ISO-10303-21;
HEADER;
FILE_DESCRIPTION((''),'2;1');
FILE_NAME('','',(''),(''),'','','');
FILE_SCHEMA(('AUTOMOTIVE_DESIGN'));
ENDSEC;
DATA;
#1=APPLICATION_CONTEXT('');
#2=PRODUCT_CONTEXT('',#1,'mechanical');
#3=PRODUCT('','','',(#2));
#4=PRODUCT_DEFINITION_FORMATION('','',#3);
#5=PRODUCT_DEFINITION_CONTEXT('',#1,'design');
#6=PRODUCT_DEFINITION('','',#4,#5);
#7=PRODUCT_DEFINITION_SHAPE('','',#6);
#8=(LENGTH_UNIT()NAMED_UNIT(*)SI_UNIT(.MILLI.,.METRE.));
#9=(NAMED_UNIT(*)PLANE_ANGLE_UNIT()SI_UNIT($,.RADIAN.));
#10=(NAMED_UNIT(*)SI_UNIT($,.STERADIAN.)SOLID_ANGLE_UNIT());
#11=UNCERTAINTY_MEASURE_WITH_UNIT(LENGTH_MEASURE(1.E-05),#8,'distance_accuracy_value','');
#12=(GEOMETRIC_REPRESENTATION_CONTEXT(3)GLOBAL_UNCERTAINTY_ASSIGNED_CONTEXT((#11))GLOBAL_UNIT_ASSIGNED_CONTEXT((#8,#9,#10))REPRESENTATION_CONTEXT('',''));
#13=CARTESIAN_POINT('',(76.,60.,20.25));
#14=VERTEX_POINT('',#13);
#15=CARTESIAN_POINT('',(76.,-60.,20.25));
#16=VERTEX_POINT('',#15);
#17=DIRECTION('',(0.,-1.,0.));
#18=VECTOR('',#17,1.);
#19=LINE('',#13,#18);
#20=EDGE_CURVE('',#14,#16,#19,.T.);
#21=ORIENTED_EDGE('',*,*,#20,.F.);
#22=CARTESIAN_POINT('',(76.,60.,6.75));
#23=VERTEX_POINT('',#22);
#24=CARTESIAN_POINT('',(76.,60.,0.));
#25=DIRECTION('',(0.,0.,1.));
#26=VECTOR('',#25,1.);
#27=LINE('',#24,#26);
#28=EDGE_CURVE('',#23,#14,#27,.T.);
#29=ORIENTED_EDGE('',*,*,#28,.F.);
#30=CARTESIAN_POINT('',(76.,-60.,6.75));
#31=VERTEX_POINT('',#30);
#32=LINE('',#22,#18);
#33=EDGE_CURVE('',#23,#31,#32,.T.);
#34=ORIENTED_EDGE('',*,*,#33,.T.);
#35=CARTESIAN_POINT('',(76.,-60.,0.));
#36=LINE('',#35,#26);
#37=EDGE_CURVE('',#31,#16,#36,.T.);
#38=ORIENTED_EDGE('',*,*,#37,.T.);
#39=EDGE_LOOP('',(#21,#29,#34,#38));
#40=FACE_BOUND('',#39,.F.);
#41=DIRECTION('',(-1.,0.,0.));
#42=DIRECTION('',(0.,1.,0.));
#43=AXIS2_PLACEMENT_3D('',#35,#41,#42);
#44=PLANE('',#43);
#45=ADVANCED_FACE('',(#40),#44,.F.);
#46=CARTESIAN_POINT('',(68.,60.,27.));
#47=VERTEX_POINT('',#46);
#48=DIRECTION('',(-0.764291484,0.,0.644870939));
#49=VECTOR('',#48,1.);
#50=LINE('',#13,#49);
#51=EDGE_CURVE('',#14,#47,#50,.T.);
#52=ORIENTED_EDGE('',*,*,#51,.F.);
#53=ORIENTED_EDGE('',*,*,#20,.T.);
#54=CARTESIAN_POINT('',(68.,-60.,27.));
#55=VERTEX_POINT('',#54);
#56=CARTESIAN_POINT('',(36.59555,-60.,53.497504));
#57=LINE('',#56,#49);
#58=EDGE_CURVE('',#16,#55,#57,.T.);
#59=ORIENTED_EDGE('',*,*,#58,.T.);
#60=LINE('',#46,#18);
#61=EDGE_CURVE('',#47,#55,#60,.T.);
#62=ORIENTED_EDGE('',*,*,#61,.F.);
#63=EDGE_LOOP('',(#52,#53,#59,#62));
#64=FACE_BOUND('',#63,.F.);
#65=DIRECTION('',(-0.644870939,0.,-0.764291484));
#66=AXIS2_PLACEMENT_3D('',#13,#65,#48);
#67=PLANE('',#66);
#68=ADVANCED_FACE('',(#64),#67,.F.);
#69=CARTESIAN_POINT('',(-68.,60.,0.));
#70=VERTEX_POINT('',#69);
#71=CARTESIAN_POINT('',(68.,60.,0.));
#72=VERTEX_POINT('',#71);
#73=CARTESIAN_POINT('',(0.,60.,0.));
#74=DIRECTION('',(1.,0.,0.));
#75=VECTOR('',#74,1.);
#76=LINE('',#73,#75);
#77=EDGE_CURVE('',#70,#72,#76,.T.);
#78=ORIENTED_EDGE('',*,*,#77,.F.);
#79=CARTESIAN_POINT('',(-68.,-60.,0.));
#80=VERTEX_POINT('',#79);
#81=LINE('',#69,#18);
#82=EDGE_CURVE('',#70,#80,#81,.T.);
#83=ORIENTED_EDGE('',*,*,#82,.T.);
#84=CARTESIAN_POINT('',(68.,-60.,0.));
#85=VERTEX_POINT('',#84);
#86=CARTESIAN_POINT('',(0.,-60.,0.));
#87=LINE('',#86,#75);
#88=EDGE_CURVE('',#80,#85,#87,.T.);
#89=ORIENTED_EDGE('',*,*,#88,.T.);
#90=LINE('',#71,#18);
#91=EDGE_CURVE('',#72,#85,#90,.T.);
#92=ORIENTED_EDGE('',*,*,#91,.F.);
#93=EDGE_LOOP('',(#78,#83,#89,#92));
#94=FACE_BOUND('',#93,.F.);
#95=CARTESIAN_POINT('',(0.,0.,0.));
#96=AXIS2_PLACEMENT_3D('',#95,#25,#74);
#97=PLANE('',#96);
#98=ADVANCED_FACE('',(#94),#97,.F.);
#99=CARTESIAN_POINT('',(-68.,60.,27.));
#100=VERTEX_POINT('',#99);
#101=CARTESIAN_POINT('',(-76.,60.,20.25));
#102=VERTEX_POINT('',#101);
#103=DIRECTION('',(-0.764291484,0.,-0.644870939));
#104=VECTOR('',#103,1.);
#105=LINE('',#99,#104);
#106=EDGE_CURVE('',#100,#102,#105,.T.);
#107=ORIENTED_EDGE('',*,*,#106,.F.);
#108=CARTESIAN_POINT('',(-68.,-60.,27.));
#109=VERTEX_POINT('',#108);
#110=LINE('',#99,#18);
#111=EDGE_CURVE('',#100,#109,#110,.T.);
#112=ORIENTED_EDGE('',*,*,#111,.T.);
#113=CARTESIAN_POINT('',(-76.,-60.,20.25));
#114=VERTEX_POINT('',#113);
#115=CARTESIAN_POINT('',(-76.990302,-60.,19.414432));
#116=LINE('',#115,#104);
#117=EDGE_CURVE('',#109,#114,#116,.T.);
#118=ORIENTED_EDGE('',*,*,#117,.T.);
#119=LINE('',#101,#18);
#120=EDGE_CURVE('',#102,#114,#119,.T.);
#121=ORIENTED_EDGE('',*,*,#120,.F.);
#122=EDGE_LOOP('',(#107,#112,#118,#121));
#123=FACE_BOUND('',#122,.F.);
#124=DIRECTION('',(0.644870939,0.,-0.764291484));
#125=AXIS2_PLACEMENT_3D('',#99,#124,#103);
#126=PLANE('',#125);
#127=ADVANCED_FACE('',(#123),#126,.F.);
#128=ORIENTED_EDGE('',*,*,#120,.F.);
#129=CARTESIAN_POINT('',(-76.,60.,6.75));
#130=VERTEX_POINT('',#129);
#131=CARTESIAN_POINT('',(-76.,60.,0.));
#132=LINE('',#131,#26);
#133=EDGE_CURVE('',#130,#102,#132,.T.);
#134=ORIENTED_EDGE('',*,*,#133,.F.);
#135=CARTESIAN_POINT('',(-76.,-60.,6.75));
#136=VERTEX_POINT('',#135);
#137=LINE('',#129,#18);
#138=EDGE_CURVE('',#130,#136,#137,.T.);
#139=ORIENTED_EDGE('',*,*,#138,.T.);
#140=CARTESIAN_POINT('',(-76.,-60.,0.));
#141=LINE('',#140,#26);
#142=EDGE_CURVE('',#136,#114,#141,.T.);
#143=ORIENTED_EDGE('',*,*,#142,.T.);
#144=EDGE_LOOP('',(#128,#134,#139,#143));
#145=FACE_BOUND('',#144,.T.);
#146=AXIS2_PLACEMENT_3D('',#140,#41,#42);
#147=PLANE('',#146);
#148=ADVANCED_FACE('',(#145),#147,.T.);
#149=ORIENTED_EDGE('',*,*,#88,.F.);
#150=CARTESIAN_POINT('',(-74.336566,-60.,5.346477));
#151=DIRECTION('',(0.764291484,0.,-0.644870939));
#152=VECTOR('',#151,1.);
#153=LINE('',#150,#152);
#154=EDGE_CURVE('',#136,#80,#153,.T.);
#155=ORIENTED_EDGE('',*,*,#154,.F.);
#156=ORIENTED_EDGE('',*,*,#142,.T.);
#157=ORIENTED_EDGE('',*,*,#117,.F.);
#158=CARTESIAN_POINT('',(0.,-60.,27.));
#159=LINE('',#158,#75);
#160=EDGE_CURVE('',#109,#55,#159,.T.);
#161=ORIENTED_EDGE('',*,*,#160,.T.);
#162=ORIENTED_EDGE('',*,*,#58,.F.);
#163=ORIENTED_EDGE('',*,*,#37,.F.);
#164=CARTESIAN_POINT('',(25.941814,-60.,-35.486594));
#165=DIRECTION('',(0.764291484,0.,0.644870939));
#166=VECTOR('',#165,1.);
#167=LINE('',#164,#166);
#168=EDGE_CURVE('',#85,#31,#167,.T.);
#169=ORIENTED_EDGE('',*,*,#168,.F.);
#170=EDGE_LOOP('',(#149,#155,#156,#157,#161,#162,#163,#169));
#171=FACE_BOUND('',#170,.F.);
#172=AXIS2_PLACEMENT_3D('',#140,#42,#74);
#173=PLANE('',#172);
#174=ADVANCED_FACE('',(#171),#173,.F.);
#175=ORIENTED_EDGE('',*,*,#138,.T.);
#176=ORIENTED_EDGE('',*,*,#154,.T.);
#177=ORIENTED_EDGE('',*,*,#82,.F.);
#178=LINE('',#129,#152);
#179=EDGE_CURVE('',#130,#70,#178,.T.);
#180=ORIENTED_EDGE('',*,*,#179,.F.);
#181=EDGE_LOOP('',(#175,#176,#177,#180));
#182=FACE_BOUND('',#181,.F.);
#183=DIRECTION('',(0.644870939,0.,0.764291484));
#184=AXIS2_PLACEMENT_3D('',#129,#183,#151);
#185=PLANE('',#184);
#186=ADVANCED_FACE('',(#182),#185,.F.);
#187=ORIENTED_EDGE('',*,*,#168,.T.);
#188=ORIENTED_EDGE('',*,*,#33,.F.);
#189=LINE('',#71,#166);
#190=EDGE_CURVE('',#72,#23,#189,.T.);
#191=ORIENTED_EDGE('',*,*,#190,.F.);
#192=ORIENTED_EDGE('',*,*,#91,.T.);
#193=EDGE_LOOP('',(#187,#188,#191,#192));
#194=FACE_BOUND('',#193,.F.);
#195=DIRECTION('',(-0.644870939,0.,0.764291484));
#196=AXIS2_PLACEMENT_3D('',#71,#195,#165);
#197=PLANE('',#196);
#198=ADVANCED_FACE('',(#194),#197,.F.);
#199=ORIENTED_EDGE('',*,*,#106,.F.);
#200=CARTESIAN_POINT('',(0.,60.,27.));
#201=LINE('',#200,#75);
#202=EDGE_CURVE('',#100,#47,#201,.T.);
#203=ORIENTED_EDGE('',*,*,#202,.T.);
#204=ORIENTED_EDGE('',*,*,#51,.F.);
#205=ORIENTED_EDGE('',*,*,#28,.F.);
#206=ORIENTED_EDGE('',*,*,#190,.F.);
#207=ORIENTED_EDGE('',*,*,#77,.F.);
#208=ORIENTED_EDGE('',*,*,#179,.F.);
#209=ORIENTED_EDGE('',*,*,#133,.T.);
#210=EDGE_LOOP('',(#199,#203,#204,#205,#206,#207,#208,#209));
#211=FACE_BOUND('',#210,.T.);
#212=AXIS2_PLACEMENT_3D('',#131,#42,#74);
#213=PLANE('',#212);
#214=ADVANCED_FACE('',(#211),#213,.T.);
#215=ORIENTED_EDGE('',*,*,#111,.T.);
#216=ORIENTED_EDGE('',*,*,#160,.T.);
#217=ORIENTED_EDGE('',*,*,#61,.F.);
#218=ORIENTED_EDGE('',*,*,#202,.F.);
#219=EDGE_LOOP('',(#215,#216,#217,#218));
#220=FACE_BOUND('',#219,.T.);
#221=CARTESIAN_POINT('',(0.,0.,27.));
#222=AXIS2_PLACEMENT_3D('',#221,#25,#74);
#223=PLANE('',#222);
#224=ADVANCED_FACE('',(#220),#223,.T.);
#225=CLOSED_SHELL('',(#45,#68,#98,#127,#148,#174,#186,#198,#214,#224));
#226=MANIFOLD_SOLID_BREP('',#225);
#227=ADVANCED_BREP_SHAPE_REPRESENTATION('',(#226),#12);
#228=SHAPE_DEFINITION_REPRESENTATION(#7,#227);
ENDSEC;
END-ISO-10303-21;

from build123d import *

# Parameters (mm, degrees)
F0_W     = 152
F0_H     = 120
F1_DEPTH = 27
F3_DEPTH = 120.001


with BuildPart() as f1:
    # F0 (on Top) → F1 (new body)
    with BuildSketch(Plane.XY):
        Rectangle(F0_W, F0_H)
    extrude(amount=F1_DEPTH)

    # F2 (on face) → F3 (cut, through all)
    with BuildSketch(Plane(origin=(0, 60, 0), x_dir=(-1, 0, 0), z_dir=(0, 1, 0))):
        Polygon((-76, 20.25), (-68, 27), (-76, 27), align=None)
        Polygon((-76, 0), (-68, 0), (-76, 6.75), align=None)
        Polygon((76, 6.75), (68, 0), (76, 0), align=None)
        Polygon((76, 27), (68, 27), (76, 20.25), align=None)
    extrude(amount=-F3_DEPTH, mode=Mode.SUBTRACT)


solid = f1.part
